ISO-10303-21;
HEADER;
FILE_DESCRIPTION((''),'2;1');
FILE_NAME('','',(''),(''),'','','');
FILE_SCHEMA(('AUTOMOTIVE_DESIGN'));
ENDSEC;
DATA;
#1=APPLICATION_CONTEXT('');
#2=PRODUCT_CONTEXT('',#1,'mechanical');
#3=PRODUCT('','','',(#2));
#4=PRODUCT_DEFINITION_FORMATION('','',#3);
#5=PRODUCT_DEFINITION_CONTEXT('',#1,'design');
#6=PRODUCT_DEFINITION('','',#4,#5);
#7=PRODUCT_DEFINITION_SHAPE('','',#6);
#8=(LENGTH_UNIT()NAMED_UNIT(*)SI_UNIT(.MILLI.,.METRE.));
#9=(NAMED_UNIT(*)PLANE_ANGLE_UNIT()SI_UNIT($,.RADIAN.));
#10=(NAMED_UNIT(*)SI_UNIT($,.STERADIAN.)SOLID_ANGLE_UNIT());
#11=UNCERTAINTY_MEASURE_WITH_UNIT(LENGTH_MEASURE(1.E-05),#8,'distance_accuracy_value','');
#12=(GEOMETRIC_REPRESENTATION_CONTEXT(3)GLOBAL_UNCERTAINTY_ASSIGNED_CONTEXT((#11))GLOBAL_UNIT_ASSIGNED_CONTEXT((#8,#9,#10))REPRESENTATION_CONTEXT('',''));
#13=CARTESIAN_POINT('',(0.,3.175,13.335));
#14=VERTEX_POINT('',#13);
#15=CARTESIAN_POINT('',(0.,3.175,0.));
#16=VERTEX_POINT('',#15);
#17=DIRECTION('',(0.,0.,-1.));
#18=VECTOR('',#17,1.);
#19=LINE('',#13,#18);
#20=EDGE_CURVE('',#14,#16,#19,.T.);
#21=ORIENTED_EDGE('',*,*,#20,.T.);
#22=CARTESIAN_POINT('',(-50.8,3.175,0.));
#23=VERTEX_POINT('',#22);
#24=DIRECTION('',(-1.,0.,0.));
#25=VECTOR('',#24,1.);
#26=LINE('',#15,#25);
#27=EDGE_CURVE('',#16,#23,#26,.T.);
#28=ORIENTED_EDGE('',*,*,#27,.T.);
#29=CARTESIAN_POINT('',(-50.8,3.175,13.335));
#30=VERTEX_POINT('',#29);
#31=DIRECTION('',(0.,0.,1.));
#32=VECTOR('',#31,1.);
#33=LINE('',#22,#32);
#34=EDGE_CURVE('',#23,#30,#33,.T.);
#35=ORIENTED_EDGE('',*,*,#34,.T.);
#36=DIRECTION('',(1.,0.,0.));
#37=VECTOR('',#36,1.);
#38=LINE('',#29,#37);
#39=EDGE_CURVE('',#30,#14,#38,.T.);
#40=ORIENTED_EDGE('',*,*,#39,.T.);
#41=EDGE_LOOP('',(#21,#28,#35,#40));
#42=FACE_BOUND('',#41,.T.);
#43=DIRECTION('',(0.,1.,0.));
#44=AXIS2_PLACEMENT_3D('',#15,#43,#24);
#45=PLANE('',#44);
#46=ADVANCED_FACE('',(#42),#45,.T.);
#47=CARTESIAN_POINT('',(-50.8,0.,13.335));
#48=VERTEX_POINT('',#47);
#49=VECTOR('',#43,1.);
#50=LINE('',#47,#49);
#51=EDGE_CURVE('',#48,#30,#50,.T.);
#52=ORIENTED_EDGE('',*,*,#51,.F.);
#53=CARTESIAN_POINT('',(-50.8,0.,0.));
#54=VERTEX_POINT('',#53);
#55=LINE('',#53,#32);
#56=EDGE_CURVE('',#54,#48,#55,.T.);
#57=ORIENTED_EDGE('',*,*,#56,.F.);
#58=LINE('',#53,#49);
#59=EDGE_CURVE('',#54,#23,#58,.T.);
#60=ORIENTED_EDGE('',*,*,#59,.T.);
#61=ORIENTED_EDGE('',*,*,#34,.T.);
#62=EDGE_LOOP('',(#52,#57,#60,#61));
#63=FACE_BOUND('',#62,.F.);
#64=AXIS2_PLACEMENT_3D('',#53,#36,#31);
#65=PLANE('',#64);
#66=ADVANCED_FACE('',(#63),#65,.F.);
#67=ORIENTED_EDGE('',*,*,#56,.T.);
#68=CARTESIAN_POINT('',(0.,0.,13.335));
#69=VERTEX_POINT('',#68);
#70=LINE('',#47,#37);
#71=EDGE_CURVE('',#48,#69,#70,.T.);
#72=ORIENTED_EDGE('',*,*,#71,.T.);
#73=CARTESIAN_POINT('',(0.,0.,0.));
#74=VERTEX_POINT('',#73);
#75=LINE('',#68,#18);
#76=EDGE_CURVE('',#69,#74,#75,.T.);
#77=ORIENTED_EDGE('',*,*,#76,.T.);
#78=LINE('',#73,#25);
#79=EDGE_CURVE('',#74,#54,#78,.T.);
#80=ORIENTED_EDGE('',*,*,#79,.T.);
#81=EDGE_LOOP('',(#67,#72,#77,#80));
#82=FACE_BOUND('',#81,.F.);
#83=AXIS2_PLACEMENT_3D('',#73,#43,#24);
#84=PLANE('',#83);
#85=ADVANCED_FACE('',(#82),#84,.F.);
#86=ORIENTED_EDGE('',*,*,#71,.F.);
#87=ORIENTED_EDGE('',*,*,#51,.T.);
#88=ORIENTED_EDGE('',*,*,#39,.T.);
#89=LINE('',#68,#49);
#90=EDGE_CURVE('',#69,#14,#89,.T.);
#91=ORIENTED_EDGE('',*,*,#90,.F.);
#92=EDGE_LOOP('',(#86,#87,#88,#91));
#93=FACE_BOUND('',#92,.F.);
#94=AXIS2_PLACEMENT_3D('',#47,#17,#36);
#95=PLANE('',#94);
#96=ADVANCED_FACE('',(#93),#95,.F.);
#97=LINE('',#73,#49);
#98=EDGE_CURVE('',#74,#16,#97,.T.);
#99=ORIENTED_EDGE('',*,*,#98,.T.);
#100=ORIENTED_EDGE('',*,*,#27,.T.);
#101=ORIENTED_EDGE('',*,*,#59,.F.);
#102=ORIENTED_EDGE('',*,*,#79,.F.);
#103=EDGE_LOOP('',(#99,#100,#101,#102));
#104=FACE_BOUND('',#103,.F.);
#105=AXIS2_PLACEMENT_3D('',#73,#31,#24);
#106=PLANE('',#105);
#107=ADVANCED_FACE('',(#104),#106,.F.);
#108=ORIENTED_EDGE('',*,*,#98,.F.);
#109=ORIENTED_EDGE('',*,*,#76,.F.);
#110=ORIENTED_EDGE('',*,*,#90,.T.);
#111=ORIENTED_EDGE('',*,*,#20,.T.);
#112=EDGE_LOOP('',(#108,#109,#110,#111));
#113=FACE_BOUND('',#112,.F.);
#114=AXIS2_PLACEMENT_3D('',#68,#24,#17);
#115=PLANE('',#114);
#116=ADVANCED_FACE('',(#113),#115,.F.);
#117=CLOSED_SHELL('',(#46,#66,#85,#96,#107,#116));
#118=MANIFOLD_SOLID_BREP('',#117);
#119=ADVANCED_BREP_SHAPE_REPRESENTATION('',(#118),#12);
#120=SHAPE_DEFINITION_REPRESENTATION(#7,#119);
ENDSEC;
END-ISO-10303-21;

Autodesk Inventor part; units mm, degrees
ref_plane "YZ Plane" through (0, 0, 0) normal (1, 0, 0) x (0, 1, 0)
ref_plane "XZ Plane" through (0, 0, 0) normal (0, 1, 0) x (-1, 0, 0)
ref_plane "XY Plane" through (0, 0, 0) normal (0, 0, 1) x (1, 0, 0)
sketch "Sketch1" plane through (0, 0, 0) normal (0, 1, 0) x (-1, 0, 0)
  line L0 (0, 0) -> (50.8, 0)
  line L1 (50.8, 0) -> (50.8, 13.335)
  line L2 (50.8, 13.335) -> (0, 13.335)
  line L3 (0, 13.335) -> (0, 0)
  dimension "d0" = 13.335
  dimension "d1" = 50.8
extrude "Extrusion1" add sketch "Sketch1" along normal blind 3.175
properties part number "railholderleft"
